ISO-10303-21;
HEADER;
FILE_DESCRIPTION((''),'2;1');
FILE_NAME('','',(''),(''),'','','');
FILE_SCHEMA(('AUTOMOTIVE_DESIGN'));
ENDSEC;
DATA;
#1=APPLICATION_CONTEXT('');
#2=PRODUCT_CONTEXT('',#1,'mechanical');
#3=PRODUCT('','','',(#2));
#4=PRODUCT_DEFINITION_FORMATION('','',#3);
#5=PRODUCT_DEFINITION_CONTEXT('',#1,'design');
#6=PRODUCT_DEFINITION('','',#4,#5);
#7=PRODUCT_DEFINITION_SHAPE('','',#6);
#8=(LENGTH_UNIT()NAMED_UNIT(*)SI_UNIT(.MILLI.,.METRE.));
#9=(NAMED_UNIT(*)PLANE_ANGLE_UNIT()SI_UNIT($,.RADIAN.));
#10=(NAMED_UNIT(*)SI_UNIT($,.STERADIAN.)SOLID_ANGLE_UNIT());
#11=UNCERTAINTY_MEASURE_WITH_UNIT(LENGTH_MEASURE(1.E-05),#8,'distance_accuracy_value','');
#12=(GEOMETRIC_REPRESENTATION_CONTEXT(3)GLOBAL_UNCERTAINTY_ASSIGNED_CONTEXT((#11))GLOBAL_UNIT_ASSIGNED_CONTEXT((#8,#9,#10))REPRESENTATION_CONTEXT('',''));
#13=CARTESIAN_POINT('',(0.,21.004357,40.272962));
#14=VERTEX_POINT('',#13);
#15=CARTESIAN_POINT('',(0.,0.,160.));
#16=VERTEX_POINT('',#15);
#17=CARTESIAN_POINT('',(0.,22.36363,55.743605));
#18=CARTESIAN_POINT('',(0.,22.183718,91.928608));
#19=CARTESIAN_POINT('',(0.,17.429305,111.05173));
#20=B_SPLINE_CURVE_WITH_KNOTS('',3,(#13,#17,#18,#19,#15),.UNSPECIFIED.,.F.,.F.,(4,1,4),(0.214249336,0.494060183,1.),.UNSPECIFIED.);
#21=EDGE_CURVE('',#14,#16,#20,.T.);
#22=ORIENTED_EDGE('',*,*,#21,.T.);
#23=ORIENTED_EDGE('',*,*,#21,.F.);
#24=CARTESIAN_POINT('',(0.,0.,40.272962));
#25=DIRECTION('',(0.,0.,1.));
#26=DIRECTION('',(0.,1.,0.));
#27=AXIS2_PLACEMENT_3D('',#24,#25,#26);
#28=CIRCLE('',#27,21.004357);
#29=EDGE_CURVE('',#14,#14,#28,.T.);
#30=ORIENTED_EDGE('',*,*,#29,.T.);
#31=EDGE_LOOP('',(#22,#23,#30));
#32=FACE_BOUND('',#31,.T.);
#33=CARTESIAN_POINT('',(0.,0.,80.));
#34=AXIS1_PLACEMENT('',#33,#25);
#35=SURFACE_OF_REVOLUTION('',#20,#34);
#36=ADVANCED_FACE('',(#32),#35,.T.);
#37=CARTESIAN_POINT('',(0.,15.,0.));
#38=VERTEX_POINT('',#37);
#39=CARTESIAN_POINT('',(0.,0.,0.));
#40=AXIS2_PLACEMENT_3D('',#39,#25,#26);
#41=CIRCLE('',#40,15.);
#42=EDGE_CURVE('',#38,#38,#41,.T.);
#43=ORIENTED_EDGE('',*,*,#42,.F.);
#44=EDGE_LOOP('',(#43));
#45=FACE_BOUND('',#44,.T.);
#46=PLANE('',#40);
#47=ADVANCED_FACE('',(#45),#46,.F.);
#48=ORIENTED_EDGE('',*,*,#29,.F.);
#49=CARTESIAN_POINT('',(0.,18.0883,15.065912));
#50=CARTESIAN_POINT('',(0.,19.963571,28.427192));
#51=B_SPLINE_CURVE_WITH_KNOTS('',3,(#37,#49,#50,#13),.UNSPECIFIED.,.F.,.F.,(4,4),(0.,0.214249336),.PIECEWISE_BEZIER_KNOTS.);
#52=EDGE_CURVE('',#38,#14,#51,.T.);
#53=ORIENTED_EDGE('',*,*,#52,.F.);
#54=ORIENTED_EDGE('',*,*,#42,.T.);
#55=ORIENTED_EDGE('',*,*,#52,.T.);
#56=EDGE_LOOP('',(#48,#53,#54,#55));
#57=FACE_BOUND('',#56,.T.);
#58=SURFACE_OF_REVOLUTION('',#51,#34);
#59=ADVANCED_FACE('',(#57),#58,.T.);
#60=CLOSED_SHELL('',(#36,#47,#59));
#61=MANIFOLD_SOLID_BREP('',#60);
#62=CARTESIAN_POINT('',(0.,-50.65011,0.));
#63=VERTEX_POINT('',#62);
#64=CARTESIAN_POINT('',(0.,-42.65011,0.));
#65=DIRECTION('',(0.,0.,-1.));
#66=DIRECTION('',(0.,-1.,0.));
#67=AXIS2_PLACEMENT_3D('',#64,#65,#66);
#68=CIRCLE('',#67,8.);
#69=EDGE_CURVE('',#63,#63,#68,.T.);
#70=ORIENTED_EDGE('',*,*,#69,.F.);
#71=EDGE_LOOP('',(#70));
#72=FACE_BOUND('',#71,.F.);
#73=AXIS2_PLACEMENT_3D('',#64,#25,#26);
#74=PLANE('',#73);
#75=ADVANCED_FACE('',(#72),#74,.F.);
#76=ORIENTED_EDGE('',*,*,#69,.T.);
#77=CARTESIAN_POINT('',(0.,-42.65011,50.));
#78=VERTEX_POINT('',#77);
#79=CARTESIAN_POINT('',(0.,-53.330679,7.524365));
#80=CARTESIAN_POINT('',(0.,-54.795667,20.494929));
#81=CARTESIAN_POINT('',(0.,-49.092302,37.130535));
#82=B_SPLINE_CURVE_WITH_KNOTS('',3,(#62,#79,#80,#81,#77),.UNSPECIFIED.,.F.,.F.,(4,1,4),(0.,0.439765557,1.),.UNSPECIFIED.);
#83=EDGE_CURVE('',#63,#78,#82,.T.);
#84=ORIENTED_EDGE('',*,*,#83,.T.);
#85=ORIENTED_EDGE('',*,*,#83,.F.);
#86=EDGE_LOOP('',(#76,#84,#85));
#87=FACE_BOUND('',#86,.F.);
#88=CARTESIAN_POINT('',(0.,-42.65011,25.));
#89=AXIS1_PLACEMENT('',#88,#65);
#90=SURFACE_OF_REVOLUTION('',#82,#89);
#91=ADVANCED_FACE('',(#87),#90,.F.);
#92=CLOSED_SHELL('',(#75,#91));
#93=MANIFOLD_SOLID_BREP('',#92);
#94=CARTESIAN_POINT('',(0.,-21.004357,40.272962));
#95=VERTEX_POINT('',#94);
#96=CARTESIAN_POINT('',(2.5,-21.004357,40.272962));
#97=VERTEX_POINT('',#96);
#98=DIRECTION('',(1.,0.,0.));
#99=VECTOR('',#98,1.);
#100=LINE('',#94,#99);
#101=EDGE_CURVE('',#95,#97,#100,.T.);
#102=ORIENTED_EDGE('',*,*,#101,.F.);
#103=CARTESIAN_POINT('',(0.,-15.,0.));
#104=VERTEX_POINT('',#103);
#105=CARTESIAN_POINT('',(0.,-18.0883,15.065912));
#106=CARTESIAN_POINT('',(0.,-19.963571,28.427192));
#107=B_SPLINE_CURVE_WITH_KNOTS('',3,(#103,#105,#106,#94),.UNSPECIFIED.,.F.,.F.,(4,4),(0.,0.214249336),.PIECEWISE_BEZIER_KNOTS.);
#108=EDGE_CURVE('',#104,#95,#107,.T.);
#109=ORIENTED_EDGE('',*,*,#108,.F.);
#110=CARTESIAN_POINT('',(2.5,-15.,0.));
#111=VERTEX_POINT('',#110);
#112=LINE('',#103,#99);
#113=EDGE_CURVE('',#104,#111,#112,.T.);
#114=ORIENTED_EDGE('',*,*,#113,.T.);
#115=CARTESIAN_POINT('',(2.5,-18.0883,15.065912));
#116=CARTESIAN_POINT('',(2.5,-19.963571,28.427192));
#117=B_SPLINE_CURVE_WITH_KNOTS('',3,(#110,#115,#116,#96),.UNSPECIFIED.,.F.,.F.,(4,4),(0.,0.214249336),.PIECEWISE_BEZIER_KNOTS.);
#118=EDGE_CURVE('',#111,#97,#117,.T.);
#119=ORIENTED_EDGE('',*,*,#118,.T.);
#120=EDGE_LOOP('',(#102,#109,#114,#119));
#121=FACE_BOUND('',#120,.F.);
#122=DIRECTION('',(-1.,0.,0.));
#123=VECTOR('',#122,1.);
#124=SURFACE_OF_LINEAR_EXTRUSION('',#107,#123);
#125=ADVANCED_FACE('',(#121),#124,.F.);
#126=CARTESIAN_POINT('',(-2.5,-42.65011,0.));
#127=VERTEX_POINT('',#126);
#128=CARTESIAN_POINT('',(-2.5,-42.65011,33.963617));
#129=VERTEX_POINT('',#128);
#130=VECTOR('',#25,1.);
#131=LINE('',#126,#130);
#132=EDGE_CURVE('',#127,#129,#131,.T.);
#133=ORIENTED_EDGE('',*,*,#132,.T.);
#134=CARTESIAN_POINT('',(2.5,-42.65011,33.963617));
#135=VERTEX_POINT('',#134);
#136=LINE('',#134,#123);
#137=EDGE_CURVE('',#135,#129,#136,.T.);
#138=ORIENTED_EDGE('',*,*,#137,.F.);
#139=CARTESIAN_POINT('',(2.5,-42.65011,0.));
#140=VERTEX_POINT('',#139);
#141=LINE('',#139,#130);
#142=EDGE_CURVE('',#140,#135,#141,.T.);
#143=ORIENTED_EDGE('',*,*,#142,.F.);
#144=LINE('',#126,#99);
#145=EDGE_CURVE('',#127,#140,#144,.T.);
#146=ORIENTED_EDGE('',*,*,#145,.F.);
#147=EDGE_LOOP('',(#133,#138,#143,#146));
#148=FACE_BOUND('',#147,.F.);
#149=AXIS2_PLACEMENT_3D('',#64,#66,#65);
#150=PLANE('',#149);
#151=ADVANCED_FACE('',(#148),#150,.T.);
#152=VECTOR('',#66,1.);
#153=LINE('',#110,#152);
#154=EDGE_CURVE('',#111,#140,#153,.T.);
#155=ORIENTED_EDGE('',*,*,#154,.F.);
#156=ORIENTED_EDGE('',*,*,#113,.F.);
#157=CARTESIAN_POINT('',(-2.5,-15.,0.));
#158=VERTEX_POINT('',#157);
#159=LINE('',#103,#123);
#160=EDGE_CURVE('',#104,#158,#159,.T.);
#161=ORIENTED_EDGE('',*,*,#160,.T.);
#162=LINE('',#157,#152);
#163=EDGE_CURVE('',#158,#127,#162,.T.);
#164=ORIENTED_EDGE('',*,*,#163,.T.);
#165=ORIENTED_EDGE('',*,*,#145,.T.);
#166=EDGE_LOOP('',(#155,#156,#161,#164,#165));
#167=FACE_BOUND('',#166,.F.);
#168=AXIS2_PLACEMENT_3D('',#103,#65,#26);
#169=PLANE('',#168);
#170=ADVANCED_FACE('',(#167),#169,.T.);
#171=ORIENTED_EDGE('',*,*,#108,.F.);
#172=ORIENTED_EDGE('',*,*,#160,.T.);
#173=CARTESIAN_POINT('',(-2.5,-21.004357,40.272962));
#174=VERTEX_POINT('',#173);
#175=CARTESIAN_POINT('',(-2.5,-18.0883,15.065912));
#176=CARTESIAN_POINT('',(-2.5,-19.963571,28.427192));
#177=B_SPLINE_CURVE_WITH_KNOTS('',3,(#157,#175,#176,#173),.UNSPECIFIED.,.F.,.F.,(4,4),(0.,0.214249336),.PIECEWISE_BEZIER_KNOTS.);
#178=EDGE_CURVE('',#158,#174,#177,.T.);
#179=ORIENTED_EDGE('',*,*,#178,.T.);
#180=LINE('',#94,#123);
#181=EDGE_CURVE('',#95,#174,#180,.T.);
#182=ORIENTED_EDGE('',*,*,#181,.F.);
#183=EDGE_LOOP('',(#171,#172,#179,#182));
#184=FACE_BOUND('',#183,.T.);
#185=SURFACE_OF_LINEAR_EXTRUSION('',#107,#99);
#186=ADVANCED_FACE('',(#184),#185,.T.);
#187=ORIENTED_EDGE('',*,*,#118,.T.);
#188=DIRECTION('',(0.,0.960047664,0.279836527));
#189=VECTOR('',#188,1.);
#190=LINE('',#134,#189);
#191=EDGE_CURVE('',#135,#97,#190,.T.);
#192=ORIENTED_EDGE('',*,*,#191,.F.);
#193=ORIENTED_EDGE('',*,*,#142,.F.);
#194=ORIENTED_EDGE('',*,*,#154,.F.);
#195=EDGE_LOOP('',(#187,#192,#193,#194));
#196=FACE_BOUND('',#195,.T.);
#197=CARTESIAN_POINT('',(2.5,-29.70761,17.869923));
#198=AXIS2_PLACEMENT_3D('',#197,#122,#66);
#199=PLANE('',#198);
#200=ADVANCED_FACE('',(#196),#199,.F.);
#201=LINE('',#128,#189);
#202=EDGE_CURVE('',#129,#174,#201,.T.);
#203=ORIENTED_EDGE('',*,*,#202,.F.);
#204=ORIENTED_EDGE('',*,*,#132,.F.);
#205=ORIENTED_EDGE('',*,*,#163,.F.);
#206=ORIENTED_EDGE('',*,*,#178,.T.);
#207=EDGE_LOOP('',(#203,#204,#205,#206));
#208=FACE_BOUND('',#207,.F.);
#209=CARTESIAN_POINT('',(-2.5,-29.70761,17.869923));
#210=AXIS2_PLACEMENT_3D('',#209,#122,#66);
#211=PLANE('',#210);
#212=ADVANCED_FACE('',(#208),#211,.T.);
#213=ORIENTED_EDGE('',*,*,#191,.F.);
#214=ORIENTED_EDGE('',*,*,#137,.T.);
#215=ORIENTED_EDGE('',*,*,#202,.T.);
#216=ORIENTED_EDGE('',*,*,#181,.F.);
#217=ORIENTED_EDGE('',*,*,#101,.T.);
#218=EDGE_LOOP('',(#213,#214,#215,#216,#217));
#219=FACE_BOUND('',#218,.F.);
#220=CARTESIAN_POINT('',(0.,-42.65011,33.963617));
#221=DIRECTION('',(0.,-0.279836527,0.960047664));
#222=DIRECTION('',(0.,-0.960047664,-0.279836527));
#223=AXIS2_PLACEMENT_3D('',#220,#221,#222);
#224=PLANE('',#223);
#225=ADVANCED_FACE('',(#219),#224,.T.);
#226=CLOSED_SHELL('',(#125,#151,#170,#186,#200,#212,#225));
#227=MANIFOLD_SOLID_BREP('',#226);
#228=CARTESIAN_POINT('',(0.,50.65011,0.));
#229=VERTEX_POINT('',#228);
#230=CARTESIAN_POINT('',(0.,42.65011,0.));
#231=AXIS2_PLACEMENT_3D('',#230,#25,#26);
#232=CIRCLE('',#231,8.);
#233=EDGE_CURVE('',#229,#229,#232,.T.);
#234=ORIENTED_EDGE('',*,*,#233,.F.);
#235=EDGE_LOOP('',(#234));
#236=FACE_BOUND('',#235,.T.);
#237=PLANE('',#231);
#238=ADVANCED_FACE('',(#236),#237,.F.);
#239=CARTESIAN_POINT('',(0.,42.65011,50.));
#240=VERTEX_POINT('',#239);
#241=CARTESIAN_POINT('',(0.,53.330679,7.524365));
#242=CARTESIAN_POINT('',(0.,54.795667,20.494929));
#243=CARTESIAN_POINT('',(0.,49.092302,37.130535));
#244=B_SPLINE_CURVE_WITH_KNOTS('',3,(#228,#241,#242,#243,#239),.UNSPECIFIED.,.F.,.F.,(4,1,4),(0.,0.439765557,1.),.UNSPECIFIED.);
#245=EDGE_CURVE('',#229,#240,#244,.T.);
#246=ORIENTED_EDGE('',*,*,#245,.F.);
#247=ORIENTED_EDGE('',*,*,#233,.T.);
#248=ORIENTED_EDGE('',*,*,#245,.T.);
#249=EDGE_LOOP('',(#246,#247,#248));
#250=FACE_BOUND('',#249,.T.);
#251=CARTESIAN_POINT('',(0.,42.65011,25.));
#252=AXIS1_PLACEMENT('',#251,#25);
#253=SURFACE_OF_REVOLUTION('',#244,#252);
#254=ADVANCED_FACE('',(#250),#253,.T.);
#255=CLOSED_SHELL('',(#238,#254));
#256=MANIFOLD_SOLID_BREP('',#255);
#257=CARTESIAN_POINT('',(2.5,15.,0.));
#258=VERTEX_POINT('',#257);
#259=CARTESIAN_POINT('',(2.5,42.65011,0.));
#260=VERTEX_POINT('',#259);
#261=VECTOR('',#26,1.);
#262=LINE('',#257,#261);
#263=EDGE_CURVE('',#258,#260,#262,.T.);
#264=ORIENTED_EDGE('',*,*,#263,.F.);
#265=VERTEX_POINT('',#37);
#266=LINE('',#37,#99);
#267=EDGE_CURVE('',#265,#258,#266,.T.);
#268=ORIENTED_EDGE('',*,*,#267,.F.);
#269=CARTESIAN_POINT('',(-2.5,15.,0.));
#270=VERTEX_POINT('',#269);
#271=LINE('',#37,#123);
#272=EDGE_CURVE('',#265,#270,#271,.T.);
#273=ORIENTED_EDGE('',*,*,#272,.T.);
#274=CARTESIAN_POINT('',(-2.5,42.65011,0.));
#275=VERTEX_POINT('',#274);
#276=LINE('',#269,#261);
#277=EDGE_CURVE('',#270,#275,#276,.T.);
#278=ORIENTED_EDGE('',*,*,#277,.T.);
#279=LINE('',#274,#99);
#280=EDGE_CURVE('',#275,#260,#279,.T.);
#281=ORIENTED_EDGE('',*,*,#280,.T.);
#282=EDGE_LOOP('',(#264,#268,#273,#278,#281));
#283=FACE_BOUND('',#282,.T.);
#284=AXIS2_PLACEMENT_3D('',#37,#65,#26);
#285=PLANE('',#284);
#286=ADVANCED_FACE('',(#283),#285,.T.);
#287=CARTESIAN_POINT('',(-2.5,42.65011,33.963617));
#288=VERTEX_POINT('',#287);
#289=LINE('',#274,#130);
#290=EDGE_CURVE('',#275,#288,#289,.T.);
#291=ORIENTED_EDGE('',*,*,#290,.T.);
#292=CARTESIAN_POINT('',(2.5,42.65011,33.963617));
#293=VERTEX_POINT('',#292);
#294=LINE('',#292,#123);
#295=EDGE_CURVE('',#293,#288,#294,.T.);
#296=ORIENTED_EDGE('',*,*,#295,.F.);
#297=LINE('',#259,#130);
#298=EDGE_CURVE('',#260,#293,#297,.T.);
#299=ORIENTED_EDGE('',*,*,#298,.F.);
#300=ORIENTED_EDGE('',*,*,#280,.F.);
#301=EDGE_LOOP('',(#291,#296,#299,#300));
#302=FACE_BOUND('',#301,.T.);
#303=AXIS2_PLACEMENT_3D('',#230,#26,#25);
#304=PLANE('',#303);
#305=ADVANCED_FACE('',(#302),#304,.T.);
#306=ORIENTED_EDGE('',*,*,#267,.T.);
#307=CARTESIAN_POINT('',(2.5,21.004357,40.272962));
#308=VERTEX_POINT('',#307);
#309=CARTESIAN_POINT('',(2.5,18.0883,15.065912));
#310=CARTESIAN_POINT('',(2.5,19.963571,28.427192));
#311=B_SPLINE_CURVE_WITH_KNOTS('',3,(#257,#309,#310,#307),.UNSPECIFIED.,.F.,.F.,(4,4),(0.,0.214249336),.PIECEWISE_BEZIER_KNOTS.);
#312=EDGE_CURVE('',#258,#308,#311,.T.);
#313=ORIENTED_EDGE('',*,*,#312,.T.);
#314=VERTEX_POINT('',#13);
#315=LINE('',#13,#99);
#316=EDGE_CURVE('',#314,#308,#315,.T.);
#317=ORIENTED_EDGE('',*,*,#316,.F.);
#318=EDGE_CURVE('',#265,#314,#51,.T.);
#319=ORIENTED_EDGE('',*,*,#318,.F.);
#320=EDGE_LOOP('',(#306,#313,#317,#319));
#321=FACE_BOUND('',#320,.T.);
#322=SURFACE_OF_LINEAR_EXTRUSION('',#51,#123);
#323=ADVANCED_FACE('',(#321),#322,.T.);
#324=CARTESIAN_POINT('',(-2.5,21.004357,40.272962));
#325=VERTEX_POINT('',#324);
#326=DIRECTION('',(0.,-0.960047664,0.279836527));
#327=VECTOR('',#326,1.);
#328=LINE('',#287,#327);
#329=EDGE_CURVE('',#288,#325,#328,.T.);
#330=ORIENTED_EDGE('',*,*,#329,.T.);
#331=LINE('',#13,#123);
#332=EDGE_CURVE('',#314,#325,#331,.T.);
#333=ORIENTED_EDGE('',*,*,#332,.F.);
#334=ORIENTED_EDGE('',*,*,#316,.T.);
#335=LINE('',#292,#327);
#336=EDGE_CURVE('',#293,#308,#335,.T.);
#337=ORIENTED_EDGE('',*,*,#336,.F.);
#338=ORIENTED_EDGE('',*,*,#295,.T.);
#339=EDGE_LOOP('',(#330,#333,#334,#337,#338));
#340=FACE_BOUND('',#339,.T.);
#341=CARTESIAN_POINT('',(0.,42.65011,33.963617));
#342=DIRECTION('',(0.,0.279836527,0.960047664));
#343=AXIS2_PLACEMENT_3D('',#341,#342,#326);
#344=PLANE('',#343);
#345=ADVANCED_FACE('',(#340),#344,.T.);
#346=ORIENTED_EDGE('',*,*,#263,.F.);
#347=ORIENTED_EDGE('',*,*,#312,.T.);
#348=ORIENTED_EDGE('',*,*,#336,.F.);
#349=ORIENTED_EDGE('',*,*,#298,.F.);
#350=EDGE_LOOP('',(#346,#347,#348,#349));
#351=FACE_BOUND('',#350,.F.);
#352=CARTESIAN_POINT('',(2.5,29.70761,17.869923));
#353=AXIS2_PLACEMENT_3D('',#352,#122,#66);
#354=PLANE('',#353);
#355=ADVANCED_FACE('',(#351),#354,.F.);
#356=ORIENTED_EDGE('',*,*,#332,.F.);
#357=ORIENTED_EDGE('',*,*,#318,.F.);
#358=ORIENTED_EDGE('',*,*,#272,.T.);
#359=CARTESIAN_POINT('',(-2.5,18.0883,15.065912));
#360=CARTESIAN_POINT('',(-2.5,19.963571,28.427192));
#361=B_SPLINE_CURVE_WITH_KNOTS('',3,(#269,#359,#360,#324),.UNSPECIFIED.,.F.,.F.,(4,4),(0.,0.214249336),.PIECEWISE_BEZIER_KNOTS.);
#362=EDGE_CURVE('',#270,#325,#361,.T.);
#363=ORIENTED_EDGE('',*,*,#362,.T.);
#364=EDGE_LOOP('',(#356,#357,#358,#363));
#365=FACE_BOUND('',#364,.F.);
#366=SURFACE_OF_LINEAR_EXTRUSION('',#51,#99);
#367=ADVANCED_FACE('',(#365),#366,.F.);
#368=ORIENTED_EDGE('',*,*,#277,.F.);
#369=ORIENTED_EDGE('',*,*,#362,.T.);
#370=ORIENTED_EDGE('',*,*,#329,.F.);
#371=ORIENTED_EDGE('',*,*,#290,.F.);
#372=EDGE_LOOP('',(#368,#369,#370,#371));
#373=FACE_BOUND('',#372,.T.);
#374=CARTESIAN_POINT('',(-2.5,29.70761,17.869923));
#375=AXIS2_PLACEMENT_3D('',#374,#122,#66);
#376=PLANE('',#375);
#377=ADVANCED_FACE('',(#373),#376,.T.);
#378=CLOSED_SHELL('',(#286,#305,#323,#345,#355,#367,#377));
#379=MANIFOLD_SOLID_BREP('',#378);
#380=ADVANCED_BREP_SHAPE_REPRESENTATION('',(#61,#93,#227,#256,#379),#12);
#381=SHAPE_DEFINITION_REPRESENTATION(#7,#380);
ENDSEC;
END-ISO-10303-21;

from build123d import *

# Parameters (mm, degrees)
F4_DEPTH = 2.5


with BuildPart() as f1:
    # F0 (on Right) → F1 (revolve)
    with BuildSketch(Plane.YZ):
        with BuildLine():
            Line((0, 160), (0, 0))
            Line((0, 0), (15, 0))
            add(Edge.make_bspline(
                [(15, 0), (18.0882999934, 15.0659116162), (19.9635712827, 28.427191974), (21.0043573946, 40.2729620411)],
                knots=[0, 0, 0, 0, 0.214249336, 0.214249336, 0.214249336, 0.214249336], degree=3))
            add(Edge.make_bspline(
                [(21.0043573946, 40.2729620411), (22.3636299565, 55.7436048979), (22.1837181315, 91.9286079904), (17.4293045557, 111.0517297705), (0, 160)],
                knots=[0.214249336, 0.214249336, 0.214249336, 0.214249336, 0.4940601832, 1, 1, 1, 1], degree=3))
        make_face()
    revolve(axis=Axis((0, 0, 80), (0, 0, 1)))


with BuildPart() as f2:
    # F0 (on Right) → F2 (revolve)
    with BuildSketch(Plane.YZ):
        with BuildLine():
            Line((42.6501097022, 33.9636168072), (42.6501097022, 0))
            Line((42.6501097022, 0), (50.6501097022, 0))
            add(Edge.make_bspline(
                [(50.6501097022, 0), (53.3306793428, 7.524365418), (54.7956673718, 20.4949289562), (49.0923024419, 37.130534754), (42.6501097022, 50)],
                knots=[0, 0, 0, 0, 0.4397655571, 1, 1, 1, 1], degree=3))
            Line((42.6501097022, 50), (42.6501097022, 33.9636168072))
        make_face()
    revolve(axis=Axis((0, 42.6501097022, 25), (0, 0, 1)))


with BuildPart() as f3_1:
    # F3: instance of F2
    add(f2.part.mirror(Plane.XZ))


with BuildPart() as f4:
    # F0 (on Right) → F4 (new body, symmetric)
    with BuildSketch(Plane.YZ):
        with BuildLine():
            add(Edge.make_bspline(
                [(15, 0), (18.0882999934, 15.0659116162), (19.9635712827, 28.427191974), (21.0043573946, 40.2729620411)],
                knots=[0, 0, 0, 0, 0.214249336, 0.214249336, 0.214249336, 0.214249336], degree=3))
            Line((15, 0), (42.6501097022, 0))
            Line((42.6501097022, 0), (42.6501097022, 33.9636168072))
            Line((42.6501097022, 33.9636168072), (21.0043573946, 40.2729620411))
        make_face()
    extrude(amount=F4_DEPTH, both=True)


with BuildPart() as f5_1:
    # F5: instance of F4
    add(f4.part.mirror(Plane.XZ))


solid = Compound([f1.part, f2.part, f3_1.part, f4.part, f5_1.part])
